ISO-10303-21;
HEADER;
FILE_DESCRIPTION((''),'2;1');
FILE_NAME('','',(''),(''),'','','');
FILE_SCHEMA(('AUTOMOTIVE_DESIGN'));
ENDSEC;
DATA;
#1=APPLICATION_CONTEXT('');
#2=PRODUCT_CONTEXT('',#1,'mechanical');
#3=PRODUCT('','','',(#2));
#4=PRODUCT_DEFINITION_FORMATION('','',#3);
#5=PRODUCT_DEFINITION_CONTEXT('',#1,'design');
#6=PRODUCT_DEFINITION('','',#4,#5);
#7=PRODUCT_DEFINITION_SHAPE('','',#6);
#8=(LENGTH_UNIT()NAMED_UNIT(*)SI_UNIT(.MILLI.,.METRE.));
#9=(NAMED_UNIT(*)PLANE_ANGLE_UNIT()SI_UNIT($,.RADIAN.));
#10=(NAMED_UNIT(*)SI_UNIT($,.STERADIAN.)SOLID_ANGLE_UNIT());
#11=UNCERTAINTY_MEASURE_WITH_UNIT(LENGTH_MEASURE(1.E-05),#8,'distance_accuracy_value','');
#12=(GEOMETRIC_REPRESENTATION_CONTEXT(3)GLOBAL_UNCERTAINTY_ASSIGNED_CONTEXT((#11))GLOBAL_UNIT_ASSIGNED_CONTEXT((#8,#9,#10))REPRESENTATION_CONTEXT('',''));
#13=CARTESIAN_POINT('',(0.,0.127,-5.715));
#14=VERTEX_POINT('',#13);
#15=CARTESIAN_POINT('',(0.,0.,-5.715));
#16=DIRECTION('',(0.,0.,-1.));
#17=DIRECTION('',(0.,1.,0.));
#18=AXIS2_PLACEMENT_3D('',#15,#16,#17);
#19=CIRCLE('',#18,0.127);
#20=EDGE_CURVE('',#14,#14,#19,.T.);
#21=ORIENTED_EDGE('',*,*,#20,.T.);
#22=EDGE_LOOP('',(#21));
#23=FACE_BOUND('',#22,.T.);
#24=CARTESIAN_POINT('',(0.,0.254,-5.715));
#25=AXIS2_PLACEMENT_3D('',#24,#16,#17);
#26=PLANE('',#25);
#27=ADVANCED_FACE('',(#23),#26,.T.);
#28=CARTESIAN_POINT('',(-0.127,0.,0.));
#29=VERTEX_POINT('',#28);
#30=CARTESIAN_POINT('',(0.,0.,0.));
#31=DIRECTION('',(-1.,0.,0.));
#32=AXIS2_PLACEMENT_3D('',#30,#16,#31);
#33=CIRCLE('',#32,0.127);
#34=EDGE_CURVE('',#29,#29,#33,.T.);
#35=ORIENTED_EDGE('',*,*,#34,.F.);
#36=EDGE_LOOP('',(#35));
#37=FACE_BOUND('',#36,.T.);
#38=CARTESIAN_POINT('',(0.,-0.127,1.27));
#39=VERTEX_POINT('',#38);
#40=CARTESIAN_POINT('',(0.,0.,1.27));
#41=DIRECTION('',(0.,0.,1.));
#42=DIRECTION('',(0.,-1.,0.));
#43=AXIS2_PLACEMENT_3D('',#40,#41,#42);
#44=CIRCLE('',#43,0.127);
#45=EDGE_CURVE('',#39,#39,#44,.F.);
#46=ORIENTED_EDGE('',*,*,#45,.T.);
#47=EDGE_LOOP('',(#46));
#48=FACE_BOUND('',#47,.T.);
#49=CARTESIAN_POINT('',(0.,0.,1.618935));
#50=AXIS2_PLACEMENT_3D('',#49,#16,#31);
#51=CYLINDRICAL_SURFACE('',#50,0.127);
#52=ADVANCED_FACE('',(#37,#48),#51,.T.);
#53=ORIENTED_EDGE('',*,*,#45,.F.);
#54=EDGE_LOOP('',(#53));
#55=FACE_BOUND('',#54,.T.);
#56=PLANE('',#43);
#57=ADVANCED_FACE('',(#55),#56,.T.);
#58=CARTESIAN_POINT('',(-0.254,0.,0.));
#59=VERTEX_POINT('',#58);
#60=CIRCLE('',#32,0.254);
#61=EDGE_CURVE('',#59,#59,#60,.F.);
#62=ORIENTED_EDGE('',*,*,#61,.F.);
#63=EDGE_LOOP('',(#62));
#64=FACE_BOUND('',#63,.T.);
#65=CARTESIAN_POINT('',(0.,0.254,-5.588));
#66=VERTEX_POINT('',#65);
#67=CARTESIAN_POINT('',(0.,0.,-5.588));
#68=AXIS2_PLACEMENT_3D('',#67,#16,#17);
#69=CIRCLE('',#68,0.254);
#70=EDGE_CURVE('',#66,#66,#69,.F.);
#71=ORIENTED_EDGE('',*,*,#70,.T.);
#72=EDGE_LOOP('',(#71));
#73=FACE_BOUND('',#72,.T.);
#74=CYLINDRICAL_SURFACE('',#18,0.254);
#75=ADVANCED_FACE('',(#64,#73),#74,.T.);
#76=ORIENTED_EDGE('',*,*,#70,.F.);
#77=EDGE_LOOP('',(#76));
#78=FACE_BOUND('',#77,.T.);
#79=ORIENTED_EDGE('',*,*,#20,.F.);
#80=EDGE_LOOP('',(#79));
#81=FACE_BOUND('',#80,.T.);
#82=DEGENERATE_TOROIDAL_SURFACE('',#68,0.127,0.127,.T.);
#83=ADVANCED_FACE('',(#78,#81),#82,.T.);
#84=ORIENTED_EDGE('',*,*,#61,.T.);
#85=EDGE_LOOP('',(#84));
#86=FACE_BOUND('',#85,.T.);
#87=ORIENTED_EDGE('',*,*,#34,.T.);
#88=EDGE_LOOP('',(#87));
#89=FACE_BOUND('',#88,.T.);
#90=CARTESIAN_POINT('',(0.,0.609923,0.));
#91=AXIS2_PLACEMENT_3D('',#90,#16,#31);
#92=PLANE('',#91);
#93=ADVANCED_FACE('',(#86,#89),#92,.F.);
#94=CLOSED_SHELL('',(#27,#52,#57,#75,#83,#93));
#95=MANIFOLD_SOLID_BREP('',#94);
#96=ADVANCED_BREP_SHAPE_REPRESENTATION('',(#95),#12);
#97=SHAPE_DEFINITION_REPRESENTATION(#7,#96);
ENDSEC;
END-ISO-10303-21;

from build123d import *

# Parameters (mm, degrees)
SKETCH1_W = 6.985
SKETCH1_H = 0.254
FILLET1_R = 0.127
SKETCH3_W = 1.933566412
SKETCH3_H = 0.48292321


with BuildPart() as part:
    # Sketch1 → Revolve1 (revolve)
    with BuildSketch(Plane(origin=(0, 0, 0), x_dir=(0, 0, -1), z_dir=(1, 0, 0))):
        with Locations((2.2225, 0.127)):
            Rectangle(SKETCH1_W, SKETCH1_H)
    revolve(axis=Axis((0, 0, -5.715), (0, 0, 1)))

    # Fillet1
    fillet1_edges = [part.edges().sort_by_distance(p)[0] for p in [
        (0, -0.254, -5.715),
    ]]
    fillet(fillet1_edges, radius=FILLET1_R)

    # Sketch3 → Cut-Revolve1 (revolve, cut)
    with BuildSketch(Plane(origin=(0, 0, 0), x_dir=(0, 0, -1), z_dir=(1, 0, 0))):
        with Locations((-0.966783206, 0.368461605)):
            Rectangle(SKETCH3_W, SKETCH3_H)
    revolve(axis=Axis((0, 0, 1.618934624), (0, 0, 1)), mode=Mode.SUBTRACT)


solid = part.part
